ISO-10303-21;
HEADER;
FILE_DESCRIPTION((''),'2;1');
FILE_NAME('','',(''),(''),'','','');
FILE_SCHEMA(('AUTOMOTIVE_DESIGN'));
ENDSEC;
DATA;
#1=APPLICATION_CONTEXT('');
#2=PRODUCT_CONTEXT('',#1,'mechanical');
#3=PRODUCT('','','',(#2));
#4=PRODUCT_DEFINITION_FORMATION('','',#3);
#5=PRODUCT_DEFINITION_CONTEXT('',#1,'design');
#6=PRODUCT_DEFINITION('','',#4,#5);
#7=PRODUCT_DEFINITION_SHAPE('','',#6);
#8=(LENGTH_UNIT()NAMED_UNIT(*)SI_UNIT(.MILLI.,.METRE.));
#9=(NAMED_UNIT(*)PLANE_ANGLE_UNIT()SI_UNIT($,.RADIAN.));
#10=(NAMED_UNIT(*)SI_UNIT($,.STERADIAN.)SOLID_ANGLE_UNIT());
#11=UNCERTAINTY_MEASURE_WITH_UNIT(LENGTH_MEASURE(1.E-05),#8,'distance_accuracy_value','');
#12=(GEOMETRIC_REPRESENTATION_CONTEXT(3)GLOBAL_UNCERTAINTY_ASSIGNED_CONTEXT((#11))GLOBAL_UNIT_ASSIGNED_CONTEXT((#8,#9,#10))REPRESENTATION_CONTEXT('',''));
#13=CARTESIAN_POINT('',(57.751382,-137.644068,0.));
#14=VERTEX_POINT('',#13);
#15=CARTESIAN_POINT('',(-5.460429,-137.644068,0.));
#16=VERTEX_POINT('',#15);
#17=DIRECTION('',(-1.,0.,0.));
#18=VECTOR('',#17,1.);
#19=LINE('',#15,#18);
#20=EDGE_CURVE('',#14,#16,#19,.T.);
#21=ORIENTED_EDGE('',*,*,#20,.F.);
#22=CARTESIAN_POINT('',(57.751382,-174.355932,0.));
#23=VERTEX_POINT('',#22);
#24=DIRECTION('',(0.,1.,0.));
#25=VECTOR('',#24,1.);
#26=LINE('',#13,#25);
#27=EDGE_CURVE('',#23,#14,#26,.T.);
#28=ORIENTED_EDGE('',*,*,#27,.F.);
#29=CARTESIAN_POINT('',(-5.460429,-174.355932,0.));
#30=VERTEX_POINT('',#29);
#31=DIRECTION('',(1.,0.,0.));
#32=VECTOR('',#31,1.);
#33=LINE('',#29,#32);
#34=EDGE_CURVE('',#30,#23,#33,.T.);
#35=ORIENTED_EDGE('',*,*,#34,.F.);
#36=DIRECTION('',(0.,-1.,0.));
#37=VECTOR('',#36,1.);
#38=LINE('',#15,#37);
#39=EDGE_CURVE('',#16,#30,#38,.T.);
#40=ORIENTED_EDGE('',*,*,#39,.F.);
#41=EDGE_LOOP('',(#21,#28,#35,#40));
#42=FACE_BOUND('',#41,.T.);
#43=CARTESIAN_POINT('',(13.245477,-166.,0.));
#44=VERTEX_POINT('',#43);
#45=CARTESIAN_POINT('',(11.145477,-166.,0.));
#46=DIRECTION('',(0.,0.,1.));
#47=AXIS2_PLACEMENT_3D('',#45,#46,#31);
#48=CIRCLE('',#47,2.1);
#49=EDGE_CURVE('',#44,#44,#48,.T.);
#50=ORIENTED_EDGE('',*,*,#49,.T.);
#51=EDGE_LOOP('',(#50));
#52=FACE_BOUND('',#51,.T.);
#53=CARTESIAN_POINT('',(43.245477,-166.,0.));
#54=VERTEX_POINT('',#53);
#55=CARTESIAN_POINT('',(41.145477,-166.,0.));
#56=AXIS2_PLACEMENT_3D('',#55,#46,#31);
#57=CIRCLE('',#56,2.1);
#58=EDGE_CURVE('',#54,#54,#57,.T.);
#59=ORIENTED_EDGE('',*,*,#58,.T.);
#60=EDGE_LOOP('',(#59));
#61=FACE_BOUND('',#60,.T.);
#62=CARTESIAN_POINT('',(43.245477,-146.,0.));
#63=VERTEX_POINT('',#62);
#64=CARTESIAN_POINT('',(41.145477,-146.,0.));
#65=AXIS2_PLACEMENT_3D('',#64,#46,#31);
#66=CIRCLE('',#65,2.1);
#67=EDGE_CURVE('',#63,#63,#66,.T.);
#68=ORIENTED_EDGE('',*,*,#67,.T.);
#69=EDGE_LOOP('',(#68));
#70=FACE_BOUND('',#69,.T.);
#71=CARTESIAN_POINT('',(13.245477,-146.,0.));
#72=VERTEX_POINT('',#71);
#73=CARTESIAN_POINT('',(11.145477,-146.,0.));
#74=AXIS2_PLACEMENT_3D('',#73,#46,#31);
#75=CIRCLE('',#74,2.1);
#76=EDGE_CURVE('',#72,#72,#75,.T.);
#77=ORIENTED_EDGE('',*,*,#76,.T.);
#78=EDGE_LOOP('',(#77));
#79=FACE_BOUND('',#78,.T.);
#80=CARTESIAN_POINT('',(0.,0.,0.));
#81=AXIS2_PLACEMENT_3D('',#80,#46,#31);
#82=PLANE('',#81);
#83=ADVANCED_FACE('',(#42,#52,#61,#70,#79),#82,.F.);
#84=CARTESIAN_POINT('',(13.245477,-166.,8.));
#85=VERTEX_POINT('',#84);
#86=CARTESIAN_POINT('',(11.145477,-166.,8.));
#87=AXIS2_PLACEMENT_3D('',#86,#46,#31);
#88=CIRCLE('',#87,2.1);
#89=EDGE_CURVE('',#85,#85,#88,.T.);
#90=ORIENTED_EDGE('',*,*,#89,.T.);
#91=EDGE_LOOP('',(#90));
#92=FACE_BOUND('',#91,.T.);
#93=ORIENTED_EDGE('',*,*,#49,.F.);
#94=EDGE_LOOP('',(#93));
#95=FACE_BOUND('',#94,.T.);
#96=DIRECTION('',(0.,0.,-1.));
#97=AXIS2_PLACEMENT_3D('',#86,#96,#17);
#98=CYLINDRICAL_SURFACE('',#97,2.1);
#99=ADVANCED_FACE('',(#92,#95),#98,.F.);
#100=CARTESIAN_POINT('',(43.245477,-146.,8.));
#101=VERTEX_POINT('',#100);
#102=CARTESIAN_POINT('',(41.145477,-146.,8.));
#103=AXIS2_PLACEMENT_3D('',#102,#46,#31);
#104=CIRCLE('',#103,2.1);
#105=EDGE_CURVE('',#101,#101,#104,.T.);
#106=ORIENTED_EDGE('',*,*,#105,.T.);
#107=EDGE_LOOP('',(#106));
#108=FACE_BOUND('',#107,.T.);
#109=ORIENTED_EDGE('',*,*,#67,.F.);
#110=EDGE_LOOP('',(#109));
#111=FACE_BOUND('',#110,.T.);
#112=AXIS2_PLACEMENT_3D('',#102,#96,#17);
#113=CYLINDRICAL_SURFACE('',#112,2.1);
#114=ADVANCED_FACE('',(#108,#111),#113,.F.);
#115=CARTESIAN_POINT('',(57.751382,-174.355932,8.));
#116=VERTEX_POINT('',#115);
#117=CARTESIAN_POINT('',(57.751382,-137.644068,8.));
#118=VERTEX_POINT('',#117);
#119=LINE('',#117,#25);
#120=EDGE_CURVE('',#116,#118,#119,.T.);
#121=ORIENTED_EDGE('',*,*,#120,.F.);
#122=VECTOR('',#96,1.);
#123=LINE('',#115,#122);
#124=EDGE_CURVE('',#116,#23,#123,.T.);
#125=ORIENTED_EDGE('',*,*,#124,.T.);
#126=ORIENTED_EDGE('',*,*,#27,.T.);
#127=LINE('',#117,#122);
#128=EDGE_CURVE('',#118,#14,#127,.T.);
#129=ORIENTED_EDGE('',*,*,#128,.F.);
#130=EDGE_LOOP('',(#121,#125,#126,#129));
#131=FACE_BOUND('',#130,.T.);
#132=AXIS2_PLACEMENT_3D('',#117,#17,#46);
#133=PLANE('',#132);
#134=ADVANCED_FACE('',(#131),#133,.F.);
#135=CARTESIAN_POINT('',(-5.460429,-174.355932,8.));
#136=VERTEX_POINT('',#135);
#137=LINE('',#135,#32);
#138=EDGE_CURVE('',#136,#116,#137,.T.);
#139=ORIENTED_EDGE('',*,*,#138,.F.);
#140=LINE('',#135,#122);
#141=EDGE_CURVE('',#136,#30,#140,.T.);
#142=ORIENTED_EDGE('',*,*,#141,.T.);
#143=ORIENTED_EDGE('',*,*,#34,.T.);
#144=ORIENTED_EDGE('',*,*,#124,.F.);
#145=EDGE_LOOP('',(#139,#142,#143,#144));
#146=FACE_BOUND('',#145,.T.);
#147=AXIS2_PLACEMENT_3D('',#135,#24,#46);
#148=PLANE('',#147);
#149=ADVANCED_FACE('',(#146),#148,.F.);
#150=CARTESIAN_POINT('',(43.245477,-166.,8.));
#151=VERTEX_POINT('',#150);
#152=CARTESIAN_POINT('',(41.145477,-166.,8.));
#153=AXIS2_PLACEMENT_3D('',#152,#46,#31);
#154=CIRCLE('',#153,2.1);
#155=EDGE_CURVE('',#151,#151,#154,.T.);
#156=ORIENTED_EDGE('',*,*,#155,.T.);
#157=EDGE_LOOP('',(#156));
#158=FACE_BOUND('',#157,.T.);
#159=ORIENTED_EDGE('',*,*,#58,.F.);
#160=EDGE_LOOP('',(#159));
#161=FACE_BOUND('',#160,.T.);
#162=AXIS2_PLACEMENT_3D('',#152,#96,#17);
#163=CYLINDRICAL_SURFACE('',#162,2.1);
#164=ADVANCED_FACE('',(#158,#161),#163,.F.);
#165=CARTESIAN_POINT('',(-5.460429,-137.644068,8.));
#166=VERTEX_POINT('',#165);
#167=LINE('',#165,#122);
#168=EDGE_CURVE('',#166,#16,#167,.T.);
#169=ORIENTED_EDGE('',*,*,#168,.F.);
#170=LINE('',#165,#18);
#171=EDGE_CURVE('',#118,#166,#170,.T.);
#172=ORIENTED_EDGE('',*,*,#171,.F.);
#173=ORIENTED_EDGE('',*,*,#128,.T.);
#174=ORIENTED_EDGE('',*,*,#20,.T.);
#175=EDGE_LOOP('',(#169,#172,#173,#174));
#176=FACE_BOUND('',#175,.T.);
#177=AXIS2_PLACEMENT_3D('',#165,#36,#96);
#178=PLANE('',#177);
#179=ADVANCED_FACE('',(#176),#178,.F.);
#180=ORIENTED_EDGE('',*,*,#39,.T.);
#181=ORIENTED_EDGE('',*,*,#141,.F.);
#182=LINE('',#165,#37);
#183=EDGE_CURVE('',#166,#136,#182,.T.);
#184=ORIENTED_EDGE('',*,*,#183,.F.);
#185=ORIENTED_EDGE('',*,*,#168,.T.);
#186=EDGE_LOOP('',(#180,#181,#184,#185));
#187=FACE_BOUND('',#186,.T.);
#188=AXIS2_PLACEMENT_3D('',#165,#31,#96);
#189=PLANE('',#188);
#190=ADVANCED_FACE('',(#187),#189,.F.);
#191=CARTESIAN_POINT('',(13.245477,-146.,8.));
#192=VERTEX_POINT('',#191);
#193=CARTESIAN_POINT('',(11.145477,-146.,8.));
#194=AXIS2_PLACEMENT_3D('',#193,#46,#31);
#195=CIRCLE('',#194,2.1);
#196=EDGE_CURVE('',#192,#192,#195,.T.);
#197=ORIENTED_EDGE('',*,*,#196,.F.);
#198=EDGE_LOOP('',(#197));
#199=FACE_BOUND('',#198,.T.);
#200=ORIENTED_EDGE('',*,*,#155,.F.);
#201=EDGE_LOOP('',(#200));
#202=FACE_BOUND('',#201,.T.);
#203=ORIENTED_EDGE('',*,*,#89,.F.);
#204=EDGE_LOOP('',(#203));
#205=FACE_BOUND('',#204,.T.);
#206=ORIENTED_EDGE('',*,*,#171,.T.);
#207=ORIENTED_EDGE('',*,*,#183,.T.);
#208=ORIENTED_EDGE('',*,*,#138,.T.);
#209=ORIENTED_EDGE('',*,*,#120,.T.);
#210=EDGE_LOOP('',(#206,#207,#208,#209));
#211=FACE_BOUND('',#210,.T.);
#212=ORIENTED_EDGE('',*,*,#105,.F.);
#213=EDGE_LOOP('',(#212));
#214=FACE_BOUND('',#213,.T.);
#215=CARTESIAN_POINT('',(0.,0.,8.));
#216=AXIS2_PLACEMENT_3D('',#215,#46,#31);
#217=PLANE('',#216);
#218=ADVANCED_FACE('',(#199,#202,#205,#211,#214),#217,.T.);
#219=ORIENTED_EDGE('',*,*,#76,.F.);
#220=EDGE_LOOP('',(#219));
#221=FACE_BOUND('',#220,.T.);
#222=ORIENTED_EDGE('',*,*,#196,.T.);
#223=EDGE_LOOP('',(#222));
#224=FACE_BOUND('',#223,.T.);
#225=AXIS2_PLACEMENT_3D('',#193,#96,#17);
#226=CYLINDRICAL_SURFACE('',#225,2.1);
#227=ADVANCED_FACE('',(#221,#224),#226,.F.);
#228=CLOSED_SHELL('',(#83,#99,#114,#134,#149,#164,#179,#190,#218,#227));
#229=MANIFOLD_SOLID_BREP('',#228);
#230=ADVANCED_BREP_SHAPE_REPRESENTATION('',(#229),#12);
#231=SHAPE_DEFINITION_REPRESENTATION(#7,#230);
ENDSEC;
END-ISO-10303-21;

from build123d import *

# Parameters (mm, degrees)
SKETCH1_W           = 63.21181056
SKETCH1_H           = 36.711863216
SKETCH1_R           = 2.1
BOSS_EXTRUDE1_DEPTH = 8


with BuildPart() as part:
    # Sketch1 → Boss-Extrude1 (new body)
    with BuildSketch(Plane.XY):
        with Locations((26.145476582, -156)):
            Rectangle(SKETCH1_W, SKETCH1_H)
        with Locations((11.145476582, -146)):
            Circle(SKETCH1_R, mode=Mode.SUBTRACT)
        with Locations((41.145476582, -146)):
            Circle(SKETCH1_R, mode=Mode.SUBTRACT)
        with Locations((11.145476582, -166)):
            Circle(SKETCH1_R, mode=Mode.SUBTRACT)
        with Locations((41.145476582, -166)):
            Circle(SKETCH1_R, mode=Mode.SUBTRACT)
    extrude(amount=BOSS_EXTRUDE1_DEPTH)


solid = part.part
